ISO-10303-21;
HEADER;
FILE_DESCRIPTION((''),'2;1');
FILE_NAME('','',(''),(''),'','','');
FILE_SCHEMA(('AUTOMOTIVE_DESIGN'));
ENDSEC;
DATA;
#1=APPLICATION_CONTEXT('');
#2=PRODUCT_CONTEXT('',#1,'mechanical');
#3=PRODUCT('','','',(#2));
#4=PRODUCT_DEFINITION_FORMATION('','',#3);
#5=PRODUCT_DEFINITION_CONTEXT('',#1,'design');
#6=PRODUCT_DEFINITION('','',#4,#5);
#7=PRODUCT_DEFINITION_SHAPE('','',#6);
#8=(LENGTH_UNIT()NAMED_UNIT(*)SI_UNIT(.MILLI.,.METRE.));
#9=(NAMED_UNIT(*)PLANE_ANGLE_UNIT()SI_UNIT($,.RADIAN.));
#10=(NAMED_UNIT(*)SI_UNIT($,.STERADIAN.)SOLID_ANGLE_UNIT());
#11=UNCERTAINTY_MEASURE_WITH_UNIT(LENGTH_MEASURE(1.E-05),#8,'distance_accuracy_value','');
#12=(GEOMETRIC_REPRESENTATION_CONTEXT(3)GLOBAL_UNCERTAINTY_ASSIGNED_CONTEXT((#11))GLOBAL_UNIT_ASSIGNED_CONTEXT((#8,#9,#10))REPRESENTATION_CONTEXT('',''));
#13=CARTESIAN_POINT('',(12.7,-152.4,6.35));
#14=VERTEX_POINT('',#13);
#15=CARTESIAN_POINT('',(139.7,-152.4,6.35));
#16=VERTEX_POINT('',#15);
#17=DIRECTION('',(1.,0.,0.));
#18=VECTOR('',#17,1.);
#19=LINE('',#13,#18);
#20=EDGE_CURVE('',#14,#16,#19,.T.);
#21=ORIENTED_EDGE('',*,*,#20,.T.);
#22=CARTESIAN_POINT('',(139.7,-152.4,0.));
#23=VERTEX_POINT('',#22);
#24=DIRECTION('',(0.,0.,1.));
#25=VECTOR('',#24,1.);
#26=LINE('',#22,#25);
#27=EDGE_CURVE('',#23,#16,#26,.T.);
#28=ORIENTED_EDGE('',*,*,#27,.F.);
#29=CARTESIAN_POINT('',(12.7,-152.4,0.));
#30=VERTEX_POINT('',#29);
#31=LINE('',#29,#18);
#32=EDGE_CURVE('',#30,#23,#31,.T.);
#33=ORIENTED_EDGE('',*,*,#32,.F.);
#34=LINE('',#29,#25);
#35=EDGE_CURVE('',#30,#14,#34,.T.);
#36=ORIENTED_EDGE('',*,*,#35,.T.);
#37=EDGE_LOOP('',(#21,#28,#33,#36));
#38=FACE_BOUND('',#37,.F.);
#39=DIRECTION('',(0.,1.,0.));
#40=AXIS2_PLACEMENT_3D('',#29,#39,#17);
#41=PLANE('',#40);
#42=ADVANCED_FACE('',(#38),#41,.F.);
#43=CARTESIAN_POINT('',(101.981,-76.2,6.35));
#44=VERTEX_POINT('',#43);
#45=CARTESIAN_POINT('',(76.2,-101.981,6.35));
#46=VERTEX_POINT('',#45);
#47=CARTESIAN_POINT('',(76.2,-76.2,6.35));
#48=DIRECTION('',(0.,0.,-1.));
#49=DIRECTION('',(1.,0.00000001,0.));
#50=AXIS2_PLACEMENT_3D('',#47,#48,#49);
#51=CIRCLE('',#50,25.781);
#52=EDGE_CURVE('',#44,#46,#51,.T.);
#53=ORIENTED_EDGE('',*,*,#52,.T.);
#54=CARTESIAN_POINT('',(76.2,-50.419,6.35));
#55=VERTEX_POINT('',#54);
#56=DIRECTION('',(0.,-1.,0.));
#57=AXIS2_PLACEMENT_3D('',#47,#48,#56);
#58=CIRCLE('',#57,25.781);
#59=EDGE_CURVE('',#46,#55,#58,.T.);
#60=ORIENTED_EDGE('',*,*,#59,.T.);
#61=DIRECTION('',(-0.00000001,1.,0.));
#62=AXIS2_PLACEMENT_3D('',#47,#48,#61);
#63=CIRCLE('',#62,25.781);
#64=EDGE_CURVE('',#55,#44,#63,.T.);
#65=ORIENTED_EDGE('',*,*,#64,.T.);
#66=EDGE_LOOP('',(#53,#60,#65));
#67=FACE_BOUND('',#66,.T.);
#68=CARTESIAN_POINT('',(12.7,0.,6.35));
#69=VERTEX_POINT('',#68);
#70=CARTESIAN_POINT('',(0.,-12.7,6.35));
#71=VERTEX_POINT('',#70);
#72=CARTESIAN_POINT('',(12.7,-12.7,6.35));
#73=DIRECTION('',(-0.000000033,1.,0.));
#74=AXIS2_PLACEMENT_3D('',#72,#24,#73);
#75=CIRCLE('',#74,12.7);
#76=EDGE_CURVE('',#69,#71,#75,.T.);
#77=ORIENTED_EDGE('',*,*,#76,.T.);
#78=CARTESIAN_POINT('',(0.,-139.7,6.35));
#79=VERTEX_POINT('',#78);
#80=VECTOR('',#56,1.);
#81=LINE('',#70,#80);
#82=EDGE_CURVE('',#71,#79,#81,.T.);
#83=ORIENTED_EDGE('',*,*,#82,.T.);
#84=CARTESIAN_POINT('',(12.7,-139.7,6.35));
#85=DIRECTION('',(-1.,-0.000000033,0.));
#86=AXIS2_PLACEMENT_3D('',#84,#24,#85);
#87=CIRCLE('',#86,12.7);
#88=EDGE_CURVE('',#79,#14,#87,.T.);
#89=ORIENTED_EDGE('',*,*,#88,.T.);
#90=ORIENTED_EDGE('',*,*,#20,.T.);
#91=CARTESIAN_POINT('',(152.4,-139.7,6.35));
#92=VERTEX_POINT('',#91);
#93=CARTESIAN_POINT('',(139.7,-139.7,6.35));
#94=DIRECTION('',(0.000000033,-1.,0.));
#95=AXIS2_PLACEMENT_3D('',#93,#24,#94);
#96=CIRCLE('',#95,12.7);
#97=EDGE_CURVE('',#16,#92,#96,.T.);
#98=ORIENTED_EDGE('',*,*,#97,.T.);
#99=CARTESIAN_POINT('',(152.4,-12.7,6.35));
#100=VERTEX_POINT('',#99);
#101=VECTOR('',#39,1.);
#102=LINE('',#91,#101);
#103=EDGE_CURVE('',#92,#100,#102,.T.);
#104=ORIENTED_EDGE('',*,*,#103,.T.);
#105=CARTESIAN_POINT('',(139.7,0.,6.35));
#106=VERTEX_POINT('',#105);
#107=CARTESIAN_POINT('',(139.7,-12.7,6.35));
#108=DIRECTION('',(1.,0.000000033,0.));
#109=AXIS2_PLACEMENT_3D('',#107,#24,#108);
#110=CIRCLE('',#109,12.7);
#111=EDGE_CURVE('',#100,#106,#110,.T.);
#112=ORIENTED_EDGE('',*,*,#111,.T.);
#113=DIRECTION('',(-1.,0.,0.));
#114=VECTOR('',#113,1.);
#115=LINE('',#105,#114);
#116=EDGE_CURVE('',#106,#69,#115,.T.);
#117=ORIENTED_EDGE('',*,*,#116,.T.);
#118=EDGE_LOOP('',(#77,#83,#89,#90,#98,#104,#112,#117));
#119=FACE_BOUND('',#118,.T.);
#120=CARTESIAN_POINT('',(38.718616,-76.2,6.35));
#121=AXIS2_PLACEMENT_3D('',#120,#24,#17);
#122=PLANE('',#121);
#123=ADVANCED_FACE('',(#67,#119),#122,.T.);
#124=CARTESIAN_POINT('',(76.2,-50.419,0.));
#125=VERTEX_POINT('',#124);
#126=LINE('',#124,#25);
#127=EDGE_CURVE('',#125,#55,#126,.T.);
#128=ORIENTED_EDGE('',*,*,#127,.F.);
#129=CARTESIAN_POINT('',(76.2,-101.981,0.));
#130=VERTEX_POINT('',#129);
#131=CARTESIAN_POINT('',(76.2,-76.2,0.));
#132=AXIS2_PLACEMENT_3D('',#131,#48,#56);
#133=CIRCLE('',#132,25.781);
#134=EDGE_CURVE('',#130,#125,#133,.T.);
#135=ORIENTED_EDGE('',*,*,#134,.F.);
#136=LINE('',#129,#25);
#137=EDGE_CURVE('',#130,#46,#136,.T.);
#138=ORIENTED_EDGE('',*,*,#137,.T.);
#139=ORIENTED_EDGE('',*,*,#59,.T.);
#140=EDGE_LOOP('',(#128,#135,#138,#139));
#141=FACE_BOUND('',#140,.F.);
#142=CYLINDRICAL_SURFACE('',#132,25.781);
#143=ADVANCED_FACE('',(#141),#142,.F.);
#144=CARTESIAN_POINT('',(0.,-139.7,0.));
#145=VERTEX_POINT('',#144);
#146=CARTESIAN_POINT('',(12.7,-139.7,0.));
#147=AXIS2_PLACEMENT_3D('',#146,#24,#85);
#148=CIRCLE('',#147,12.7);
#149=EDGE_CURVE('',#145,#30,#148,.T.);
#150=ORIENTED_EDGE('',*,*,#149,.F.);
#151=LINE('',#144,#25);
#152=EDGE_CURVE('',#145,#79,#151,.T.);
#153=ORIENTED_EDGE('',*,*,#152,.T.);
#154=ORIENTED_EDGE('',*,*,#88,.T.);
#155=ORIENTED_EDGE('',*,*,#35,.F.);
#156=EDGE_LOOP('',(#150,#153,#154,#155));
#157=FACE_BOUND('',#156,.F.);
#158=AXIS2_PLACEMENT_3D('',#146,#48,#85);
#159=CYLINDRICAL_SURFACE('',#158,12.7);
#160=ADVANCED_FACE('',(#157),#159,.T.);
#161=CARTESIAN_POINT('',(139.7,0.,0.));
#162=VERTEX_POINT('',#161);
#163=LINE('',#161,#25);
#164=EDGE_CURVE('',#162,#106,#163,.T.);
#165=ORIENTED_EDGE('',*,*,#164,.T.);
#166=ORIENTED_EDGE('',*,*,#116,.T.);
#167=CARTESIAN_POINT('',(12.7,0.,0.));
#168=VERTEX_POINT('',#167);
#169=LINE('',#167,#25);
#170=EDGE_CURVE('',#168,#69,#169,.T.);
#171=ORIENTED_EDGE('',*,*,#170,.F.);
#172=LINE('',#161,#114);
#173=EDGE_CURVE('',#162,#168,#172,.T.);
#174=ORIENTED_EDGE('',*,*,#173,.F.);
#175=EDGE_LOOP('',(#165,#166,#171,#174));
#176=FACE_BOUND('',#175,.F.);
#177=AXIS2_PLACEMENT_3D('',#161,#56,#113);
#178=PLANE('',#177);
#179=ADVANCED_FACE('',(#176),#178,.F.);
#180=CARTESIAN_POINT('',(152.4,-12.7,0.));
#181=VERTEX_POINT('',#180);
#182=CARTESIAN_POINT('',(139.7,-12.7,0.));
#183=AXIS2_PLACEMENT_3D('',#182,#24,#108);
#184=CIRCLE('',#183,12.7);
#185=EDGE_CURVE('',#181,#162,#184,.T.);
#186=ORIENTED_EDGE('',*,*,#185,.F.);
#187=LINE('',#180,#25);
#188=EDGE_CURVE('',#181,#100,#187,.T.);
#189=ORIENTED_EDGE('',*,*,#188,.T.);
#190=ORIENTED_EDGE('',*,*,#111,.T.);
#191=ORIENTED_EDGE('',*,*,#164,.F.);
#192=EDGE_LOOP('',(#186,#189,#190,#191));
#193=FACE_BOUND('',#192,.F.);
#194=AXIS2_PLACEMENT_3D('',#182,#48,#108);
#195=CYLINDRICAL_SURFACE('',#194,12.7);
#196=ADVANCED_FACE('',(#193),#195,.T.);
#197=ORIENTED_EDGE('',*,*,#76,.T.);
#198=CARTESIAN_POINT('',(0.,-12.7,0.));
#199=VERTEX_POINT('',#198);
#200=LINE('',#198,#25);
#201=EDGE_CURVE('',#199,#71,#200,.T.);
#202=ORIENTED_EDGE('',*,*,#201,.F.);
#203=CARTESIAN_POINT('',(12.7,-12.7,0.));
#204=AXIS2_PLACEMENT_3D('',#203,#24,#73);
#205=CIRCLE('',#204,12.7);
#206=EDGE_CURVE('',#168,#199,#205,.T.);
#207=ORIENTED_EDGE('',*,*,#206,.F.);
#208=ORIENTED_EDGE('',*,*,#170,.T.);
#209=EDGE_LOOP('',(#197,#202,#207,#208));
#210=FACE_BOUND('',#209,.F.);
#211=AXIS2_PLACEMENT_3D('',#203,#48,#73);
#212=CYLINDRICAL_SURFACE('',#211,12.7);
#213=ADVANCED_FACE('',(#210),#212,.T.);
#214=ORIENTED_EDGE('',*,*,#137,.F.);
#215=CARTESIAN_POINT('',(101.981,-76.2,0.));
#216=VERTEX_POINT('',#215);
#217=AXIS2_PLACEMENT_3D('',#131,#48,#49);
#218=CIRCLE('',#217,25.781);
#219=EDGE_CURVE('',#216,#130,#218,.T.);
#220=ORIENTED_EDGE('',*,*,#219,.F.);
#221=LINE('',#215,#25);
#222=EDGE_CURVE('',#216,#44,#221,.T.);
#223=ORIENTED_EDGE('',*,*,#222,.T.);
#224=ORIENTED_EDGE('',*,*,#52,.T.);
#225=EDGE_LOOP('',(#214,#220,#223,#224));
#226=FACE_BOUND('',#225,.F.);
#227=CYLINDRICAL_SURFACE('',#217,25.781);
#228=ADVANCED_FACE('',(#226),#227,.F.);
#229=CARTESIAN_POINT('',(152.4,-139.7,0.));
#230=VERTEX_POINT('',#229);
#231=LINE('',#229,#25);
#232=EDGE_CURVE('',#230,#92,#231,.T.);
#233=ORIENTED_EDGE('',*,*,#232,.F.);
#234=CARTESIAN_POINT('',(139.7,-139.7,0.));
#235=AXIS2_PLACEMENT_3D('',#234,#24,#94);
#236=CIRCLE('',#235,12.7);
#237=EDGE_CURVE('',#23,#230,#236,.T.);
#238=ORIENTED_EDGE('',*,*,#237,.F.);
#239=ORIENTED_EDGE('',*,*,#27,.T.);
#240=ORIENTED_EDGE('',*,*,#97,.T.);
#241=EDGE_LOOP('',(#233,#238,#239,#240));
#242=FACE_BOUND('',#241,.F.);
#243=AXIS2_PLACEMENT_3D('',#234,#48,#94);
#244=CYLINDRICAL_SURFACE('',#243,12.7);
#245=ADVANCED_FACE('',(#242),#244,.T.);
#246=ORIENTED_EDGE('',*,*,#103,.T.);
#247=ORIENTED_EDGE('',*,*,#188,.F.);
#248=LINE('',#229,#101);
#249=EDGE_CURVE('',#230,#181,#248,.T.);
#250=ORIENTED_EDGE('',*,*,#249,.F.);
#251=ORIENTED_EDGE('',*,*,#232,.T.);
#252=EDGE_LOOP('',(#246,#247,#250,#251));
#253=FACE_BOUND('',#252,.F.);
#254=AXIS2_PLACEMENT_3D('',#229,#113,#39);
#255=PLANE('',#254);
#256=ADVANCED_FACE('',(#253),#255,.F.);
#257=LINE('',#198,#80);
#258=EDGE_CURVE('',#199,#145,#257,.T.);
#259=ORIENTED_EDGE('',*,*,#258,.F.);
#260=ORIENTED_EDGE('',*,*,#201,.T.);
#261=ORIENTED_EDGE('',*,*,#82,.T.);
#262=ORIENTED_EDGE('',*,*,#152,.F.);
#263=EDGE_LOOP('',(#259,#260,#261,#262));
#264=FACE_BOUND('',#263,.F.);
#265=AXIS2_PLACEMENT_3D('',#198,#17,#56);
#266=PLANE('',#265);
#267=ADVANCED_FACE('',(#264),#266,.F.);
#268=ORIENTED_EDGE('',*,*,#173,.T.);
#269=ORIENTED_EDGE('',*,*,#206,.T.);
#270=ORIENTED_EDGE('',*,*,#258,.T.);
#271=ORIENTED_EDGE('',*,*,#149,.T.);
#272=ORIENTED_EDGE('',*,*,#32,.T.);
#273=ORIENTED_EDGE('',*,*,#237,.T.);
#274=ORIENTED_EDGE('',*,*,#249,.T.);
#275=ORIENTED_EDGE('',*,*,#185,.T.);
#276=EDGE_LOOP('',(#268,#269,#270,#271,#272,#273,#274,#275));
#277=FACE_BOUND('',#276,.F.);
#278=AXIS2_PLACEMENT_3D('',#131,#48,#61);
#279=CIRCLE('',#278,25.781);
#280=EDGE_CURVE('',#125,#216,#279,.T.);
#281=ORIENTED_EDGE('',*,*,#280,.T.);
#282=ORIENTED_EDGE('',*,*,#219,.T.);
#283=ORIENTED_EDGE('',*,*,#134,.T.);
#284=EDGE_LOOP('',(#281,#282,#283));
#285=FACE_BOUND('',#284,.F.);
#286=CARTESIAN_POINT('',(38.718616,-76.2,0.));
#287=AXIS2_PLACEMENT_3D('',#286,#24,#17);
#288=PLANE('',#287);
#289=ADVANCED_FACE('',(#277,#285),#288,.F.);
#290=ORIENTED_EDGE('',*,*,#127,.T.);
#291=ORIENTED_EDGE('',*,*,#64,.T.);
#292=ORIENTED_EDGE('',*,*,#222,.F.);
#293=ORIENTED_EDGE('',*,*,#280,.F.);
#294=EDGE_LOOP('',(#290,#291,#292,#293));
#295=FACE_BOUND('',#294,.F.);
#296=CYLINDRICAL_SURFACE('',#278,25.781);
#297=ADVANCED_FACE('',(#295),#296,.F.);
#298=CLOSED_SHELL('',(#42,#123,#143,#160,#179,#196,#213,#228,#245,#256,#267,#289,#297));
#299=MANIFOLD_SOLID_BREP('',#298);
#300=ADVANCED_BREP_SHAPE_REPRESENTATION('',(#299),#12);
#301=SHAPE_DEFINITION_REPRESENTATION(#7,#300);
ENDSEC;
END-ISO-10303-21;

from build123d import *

# Parameters (mm, degrees)
F1_DEPTH = 6.35


with BuildPart() as f1:
    # F0 (on Top) → F1 (new body)
    with BuildSketch(Plane.XY):
        with BuildLine():
            Line((76.2, 0), (12.7, 0))
            ThreePointArc((12.7, 0), (3.719744, -3.719744), (0, -12.7))
            Line((0, -12.7), (0, -139.7))
            ThreePointArc((0, -139.7), (3.719744, -148.680256), (12.7, -152.4))
            Line((12.7, -152.4), (76.2, -152.4))
            Line((76.2, -152.4), (76.2, -101.981))
            ThreePointArc((76.2, -101.981), (50.419, -76.2), (76.2, -50.419))
            Line((76.2, -50.419), (76.2, 0))
        make_face()
        with BuildLine():
            Line((139.7, 0), (76.2, 0))
            Line((76.2, 0), (76.2, -50.419))
            ThreePointArc((76.2, -50.419), (94.42992, -57.97008), (101.981, -76.2))
            ThreePointArc((101.981, -76.2), (94.42992, -94.42992), (76.2, -101.981))
            Line((76.2, -101.981), (76.2, -152.4))
            Line((76.2, -152.4), (139.7, -152.4))
            ThreePointArc((139.7, -152.4), (148.680256, -148.680256), (152.4, -139.7))
            Line((152.4, -139.7), (152.4, -12.7))
            ThreePointArc((152.4, -12.7), (148.680256, -3.719744), (139.7, 0))
        make_face()
    extrude(amount=F1_DEPTH)


solid = f1.part
